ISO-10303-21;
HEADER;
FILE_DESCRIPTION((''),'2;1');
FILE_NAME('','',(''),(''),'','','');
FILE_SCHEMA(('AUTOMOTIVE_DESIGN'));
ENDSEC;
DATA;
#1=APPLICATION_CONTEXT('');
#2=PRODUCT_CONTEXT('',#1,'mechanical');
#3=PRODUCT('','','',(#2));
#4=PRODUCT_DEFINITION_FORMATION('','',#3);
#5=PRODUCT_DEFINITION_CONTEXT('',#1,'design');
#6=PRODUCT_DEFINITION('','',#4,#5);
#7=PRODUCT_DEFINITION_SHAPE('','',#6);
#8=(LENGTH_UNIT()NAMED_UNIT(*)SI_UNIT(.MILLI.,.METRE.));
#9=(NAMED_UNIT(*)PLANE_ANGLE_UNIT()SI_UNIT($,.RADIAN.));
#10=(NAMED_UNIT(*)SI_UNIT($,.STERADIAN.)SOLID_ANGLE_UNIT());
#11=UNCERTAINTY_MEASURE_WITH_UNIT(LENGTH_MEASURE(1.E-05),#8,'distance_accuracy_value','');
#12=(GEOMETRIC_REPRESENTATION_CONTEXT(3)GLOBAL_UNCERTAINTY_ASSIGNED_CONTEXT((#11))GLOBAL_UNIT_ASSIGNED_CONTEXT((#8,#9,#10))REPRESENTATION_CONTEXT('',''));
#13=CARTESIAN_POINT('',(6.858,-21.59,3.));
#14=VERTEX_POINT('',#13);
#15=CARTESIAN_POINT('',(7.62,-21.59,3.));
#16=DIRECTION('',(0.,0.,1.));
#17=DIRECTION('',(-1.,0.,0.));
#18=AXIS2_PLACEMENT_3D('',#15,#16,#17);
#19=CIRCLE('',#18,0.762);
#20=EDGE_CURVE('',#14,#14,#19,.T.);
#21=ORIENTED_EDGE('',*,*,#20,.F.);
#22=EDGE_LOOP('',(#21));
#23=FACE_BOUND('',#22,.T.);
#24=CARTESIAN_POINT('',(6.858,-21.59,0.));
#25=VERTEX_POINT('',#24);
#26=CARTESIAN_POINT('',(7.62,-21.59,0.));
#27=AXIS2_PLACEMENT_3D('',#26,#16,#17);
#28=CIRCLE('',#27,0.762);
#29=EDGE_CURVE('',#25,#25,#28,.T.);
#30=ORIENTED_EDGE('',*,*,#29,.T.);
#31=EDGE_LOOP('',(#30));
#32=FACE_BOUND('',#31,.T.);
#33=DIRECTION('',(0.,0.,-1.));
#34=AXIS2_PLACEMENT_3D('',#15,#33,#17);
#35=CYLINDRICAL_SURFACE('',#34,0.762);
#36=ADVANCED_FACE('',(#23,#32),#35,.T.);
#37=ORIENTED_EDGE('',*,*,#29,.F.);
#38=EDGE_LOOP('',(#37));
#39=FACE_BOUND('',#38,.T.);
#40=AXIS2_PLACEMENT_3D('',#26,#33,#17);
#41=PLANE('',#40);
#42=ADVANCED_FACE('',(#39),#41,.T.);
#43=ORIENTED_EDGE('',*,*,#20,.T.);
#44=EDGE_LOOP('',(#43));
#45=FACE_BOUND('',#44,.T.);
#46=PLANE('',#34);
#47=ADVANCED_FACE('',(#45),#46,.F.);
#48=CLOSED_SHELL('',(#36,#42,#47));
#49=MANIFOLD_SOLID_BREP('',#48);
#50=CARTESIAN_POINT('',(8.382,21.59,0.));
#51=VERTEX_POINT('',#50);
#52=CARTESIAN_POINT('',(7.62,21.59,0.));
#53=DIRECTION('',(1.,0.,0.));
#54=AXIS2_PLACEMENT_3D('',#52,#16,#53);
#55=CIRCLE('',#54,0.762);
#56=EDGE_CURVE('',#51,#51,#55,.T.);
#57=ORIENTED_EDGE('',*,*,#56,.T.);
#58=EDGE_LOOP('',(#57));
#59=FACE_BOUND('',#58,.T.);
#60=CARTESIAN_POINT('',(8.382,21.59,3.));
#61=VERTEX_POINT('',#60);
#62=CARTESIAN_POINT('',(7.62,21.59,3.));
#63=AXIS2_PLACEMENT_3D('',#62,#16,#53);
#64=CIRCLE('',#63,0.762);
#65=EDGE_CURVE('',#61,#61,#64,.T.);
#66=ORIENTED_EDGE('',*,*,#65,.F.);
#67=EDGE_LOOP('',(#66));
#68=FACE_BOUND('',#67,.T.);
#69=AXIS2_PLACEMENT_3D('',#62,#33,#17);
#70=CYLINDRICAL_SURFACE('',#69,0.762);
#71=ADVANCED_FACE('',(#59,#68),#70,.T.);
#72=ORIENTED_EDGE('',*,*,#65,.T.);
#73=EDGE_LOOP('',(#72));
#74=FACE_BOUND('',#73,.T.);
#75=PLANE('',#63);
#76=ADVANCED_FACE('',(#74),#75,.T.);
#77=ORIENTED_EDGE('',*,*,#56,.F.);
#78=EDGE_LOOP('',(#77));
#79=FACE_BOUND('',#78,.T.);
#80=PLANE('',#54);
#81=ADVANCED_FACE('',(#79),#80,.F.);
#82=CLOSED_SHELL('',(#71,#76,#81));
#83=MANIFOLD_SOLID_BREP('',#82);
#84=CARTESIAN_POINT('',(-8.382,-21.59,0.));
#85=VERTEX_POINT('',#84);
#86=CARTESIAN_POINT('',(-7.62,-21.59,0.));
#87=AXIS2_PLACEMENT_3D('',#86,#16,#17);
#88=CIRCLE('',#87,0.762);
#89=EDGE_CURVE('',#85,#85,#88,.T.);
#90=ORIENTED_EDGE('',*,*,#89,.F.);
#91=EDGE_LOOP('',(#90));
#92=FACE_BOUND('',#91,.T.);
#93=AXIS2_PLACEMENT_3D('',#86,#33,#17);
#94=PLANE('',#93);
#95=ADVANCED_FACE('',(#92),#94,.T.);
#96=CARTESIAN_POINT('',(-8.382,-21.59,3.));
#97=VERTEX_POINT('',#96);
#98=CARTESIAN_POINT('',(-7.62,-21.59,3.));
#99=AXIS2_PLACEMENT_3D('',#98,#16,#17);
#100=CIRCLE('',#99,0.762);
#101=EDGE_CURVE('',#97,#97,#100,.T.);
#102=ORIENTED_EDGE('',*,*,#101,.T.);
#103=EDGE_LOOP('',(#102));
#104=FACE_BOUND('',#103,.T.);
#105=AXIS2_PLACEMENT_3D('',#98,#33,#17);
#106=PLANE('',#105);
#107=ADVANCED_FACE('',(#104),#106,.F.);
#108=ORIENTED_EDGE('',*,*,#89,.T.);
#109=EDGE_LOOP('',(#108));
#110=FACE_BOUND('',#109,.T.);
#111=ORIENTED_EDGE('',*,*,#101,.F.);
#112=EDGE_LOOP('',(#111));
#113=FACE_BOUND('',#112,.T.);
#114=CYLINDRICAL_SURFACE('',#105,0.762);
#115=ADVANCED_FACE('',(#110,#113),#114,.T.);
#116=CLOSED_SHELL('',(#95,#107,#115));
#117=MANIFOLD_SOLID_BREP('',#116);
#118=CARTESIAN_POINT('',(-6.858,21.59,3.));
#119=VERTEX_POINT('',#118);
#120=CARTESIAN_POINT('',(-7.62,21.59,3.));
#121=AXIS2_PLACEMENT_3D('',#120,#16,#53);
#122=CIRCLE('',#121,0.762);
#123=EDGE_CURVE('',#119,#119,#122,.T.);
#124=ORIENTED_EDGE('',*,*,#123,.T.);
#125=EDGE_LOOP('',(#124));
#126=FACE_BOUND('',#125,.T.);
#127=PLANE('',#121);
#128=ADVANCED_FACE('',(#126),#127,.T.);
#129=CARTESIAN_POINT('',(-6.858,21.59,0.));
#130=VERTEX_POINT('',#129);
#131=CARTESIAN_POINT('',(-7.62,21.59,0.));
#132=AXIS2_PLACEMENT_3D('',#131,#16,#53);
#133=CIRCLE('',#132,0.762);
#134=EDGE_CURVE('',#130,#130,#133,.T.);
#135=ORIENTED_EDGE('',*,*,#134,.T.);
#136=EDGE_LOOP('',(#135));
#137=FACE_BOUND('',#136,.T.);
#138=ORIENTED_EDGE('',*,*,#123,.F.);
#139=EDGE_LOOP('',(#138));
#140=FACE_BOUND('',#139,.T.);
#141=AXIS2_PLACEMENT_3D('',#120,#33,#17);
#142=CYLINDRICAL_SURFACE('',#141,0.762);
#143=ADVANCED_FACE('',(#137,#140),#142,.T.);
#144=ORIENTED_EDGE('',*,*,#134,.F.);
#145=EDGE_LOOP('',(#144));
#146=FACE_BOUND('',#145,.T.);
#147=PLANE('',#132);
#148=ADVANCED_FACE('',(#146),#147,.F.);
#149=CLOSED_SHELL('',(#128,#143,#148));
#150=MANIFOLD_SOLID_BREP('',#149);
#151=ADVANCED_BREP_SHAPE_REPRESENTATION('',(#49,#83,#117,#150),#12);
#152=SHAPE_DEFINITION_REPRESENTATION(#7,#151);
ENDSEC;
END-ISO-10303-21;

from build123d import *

# Parameters (mm, degrees)
SKETCH2_R             = 0.762
BOSS_EXTRUDE2_DEPTH   = 3
BOSS_EXTRUDE2_2_DEPTH = 3
BOSS_EXTRUDE2_3_DEPTH = 3
BOSS_EXTRUDE2_4_DEPTH = 3


with BuildPart() as part:
    # Sketch2 → Boss-Extrude2 (new body)
    with BuildSketch(Plane.XY):
        with Locations((-7.62, 21.59)):
            Circle(SKETCH2_R)
    extrude(amount=BOSS_EXTRUDE2_DEPTH)


with BuildPart() as body_2:
    # Sketch2 → Boss-Extrude2 2 (new body)
    with BuildSketch(Plane.XY):
        with Locations((7.62, 21.59)):
            Circle(SKETCH2_R)
    extrude(amount=BOSS_EXTRUDE2_2_DEPTH)


with BuildPart() as body_3:
    # Sketch2 → Boss-Extrude2 3 (new body)
    with BuildSketch(Plane.XY):
        with Locations((7.62, -21.59)):
            Circle(SKETCH2_R)
    extrude(amount=BOSS_EXTRUDE2_3_DEPTH)


with BuildPart() as body_4:
    # Sketch2 → Boss-Extrude2 4 (new body)
    with BuildSketch(Plane.XY):
        with Locations((-7.62, -21.59)):
            Circle(SKETCH2_R)
    extrude(amount=BOSS_EXTRUDE2_4_DEPTH)


solid = Compound([part.part, body_2.part, body_3.part, body_4.part])
